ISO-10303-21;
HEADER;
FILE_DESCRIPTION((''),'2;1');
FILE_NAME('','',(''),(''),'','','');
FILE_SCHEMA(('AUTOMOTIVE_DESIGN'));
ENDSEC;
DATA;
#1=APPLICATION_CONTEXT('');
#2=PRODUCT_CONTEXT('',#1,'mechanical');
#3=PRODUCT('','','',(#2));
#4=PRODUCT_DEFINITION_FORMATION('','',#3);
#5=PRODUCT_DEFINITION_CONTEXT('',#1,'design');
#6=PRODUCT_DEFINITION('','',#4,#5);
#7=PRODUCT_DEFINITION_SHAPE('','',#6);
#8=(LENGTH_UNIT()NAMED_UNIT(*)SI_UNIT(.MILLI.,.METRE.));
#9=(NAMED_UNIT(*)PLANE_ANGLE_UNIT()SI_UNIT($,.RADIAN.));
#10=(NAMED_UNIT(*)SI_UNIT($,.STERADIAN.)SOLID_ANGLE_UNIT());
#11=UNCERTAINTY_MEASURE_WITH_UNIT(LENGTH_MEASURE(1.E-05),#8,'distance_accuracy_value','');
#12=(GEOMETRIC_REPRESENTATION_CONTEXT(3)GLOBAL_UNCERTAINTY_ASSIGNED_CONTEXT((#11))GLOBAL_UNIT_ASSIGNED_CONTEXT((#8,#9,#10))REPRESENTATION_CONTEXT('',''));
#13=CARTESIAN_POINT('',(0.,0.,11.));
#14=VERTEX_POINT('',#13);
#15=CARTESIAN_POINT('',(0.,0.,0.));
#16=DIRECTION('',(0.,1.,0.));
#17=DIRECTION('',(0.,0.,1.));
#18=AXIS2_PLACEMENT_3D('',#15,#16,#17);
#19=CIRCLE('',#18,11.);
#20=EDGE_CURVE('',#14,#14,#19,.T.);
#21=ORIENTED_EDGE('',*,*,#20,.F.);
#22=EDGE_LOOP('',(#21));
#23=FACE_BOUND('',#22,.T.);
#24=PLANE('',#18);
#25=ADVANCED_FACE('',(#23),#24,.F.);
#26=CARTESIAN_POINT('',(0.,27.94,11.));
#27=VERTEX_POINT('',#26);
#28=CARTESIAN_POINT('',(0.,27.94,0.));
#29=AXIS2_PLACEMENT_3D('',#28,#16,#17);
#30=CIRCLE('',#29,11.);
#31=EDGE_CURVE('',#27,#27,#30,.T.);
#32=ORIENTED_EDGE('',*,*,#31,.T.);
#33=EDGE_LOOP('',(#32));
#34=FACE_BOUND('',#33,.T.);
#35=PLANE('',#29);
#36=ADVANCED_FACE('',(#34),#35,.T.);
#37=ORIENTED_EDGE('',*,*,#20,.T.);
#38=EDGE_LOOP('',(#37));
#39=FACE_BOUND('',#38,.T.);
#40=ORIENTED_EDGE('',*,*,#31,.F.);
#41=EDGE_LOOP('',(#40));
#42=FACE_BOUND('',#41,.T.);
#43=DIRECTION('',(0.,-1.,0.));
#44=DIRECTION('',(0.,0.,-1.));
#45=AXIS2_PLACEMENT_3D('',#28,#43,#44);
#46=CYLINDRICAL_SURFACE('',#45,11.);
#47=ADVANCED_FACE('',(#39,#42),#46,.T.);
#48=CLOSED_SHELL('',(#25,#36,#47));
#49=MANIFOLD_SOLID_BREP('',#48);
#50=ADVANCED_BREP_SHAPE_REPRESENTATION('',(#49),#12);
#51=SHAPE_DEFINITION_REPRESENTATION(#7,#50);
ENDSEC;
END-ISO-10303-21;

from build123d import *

# Parameters (mm, degrees)
SKETCH1_R           = 11
BOSS_EXTRUDE1_DEPTH = 27.94
SKETCH2_R           = 10.4267
CUT_EXTRUDE1_DEPTH  = 1.1684
SKETCH3_R           = 11
BOSS_EXTRUDE2_DEPTH = 20.32


with BuildPart() as part:
    # Sketch1 → Boss-Extrude1 (new body)
    with BuildSketch(Plane(origin=(0, 0, 0), x_dir=(1, 0, 0), z_dir=(0, 1, 0))):
        Circle(SKETCH1_R)
    extrude(amount=BOSS_EXTRUDE1_DEPTH)

    # Sketch2 → Cut-Extrude1 (cut)
    with BuildSketch(Plane(origin=(0, 12.954, 0), x_dir=(1, 0, 0), z_dir=(0, 1, 0))):
        with BuildLine():
            Line((-17.239436612, 14.563425366), (-16.28375247, -14.840830381))
            Line((-16.28375247, -14.840830381), (21.406068048, -16.295664576))
            Line((21.406068048, -16.295664576), (22.094276354, 14.197317514))
            Line((22.094276354, 14.197317514), (19.887741586, 14.563425366))
            ThreePointArc((19.887741586, 14.563425366), (1.324152487, 14.86501853), (-17.239436612, 14.563425366))
        make_face()
        Circle(SKETCH2_R, mode=Mode.SUBTRACT)
    extrude(amount=-CUT_EXTRUDE1_DEPTH, mode=Mode.SUBTRACT)

    # Sketch3 → Boss-Extrude2 (add)
    with BuildSketch(Plane.XZ):
        Circle(SKETCH3_R)
    extrude(amount=-BOSS_EXTRUDE2_DEPTH)


solid = part.part
